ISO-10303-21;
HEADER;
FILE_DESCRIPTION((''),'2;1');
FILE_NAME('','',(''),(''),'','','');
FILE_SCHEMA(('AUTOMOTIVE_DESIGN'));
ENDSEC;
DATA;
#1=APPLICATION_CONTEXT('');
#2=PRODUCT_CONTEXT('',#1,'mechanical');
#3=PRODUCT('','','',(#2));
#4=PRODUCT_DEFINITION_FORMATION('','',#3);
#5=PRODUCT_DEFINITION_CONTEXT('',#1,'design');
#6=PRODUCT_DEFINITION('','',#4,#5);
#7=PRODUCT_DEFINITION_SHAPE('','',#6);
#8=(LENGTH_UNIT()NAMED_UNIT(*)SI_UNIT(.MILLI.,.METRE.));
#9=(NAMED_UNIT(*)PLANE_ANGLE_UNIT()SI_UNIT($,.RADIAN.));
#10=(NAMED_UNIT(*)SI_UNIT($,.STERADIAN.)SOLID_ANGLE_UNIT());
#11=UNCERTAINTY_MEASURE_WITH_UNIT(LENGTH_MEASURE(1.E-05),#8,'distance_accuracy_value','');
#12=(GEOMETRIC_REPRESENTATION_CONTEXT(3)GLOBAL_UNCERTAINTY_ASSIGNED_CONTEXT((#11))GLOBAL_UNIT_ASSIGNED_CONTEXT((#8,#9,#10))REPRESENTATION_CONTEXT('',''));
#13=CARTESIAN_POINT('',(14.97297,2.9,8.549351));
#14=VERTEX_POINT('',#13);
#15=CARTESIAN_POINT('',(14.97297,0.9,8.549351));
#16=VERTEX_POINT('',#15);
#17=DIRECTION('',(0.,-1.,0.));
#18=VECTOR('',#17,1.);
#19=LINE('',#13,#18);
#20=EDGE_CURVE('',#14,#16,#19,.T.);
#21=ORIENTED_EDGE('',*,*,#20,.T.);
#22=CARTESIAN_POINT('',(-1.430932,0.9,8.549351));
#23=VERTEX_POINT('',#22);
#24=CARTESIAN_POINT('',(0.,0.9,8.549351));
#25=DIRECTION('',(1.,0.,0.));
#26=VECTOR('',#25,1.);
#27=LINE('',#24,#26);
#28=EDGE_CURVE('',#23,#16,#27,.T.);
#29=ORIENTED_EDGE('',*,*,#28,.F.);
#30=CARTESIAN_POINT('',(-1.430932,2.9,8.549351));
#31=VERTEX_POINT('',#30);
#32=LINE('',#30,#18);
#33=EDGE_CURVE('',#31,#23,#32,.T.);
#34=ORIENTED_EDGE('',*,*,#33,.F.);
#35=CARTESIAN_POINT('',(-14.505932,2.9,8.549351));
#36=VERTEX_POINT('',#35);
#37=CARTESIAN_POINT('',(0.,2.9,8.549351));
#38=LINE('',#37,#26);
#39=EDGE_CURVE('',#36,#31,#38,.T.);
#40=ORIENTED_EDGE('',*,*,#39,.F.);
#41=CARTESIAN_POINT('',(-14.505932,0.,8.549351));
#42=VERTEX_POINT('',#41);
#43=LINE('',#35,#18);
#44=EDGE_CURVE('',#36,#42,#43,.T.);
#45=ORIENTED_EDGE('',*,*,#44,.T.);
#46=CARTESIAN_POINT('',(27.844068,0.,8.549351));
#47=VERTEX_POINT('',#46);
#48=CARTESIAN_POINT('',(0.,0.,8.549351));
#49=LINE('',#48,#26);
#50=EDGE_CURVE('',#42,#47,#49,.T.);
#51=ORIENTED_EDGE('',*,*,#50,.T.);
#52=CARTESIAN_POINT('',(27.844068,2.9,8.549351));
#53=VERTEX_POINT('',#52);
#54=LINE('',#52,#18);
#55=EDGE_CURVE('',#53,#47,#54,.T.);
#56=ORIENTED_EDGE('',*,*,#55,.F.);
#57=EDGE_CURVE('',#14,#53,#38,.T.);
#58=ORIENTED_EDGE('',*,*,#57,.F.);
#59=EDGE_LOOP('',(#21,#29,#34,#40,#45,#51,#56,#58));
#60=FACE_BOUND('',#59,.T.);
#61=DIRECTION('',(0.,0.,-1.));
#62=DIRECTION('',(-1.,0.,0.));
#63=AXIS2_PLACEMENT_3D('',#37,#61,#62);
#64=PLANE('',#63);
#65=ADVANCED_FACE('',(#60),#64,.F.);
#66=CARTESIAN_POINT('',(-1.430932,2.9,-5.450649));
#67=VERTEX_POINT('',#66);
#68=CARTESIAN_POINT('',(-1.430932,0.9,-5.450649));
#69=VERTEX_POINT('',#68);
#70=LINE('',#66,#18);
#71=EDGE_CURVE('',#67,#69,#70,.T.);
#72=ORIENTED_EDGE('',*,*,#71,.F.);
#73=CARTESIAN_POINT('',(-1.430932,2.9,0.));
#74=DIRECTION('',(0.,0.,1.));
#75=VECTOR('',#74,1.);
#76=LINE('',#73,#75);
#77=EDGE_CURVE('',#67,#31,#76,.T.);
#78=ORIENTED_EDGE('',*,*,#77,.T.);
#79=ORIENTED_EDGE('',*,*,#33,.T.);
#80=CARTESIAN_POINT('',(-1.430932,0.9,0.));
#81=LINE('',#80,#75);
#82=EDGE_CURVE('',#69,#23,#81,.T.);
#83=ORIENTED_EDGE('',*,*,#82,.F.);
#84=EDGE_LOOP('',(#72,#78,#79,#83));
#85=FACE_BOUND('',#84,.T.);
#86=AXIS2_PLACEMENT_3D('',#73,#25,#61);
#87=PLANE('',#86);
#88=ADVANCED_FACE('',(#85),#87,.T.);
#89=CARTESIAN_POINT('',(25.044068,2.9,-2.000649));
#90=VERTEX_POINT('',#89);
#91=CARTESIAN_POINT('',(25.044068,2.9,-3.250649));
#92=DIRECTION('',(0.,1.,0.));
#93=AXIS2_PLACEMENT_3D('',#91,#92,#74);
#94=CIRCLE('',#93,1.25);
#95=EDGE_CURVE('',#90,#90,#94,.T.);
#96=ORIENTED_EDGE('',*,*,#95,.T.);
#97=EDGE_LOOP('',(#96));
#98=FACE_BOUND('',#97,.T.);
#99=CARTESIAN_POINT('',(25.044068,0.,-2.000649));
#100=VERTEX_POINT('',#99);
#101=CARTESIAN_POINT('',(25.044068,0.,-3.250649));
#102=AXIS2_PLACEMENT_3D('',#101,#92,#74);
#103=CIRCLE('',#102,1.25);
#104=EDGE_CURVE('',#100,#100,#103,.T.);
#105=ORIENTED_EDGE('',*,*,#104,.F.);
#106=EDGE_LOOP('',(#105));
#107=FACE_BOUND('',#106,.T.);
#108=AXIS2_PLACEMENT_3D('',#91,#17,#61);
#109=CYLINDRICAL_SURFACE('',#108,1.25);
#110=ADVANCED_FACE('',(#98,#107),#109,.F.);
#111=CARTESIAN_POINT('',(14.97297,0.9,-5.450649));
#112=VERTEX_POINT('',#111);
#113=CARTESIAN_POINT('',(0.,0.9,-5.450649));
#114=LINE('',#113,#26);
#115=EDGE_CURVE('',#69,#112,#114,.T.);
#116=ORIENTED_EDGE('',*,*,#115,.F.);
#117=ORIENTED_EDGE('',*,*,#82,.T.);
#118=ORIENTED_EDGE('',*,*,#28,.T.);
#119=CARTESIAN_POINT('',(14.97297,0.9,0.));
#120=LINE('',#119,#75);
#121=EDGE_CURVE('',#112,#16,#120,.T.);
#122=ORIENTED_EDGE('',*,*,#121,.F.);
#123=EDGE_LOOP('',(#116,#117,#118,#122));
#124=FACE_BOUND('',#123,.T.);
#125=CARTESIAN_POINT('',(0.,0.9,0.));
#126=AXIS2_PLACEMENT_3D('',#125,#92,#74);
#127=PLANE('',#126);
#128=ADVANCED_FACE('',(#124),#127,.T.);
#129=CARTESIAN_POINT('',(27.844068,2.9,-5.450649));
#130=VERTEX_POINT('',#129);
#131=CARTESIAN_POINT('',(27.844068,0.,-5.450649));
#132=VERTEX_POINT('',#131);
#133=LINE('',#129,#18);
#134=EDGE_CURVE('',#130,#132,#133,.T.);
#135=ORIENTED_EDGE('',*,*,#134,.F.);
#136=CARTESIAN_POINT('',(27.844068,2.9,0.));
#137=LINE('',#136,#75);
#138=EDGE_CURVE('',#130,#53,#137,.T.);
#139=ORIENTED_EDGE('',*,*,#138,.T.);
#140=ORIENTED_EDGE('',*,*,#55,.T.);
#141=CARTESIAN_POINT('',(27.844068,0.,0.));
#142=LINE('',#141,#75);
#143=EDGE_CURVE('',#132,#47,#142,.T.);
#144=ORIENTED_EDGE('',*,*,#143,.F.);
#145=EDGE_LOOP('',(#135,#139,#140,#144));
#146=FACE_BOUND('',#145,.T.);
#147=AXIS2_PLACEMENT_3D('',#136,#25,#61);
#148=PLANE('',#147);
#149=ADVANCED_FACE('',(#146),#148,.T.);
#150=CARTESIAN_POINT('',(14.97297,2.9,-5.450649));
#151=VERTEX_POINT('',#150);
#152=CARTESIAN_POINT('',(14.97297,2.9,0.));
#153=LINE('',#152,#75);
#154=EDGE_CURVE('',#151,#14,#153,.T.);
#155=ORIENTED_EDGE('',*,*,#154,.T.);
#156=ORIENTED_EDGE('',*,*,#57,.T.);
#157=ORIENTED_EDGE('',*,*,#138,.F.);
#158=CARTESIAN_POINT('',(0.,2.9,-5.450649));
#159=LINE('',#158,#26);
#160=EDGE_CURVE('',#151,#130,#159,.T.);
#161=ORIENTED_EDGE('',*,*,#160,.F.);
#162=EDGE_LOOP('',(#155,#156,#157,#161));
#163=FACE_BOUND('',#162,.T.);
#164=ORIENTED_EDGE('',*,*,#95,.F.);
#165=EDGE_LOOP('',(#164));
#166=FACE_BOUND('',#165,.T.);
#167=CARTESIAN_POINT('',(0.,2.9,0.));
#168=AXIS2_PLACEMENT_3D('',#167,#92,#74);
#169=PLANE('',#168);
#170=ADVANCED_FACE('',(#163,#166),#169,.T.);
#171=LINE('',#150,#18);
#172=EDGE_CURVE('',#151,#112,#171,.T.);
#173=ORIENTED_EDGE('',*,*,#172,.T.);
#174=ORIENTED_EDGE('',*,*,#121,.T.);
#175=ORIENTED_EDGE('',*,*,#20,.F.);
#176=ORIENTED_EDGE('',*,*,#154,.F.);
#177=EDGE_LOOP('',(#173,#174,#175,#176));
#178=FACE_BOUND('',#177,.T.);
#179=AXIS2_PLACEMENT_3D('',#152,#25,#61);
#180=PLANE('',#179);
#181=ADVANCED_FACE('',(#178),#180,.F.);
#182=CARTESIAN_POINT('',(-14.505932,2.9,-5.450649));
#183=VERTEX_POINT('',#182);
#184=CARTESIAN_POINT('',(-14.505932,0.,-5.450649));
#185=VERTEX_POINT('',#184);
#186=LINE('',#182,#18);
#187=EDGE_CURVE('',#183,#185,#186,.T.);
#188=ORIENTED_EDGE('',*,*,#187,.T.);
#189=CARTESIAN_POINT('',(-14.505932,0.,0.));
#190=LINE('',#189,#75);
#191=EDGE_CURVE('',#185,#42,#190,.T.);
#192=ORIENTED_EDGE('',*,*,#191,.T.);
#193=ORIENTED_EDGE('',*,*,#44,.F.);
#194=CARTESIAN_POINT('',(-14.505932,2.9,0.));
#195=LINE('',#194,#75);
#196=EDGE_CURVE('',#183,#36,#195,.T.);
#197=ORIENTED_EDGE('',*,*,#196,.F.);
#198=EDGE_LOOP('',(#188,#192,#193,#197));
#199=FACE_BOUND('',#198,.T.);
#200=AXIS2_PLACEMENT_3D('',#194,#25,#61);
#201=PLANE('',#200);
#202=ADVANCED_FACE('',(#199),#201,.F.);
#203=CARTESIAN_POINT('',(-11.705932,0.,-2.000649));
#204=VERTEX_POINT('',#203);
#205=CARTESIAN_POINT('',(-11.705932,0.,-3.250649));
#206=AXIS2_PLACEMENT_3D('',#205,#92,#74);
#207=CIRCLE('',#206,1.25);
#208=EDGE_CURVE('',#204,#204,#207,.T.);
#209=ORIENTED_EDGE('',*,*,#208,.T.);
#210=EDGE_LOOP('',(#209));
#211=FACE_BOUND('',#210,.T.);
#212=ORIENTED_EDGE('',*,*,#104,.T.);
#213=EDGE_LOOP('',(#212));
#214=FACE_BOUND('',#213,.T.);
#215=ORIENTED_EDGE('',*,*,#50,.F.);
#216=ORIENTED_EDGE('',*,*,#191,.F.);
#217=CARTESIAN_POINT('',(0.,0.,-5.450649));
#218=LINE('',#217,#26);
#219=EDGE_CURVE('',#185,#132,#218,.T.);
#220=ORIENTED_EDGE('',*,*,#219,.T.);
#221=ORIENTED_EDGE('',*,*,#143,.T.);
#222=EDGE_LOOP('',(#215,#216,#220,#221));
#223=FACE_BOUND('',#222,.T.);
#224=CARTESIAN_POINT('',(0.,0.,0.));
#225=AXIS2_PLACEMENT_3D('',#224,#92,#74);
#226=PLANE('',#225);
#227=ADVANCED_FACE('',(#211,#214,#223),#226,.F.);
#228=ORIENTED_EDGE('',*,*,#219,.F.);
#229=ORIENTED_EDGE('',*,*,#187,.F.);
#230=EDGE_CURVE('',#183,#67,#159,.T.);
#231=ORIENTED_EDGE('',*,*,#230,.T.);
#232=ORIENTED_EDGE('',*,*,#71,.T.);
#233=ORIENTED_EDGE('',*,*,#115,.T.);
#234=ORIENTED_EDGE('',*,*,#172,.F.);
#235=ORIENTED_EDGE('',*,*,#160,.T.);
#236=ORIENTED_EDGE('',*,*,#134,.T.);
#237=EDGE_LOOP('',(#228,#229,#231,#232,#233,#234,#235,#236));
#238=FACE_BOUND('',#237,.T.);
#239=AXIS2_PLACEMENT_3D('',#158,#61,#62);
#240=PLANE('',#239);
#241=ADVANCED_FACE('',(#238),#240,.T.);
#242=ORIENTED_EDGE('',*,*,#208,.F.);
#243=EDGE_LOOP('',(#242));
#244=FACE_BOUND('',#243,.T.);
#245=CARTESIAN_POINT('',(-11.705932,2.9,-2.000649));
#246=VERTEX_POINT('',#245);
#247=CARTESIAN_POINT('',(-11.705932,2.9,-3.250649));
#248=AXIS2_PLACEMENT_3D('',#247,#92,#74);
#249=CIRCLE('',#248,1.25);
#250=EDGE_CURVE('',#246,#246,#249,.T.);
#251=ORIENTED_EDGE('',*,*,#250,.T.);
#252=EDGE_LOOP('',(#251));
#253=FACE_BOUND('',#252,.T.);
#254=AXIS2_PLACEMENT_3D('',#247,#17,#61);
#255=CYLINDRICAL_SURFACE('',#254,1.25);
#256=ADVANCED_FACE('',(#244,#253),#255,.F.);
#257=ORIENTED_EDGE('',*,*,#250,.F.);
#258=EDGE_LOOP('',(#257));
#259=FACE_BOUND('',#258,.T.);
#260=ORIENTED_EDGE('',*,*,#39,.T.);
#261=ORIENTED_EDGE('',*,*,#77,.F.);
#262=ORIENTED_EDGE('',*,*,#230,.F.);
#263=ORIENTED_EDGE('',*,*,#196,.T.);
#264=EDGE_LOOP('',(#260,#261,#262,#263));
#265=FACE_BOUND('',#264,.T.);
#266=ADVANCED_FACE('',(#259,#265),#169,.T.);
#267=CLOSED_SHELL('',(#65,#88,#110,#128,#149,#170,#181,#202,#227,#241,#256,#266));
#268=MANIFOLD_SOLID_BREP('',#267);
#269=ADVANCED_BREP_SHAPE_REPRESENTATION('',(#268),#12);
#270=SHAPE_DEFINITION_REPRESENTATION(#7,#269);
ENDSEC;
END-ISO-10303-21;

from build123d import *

# Parameters (mm, degrees)
SKETCH_1_W        = 13.075
SKETCH_1_H        = 14
SKETCH_1_R        = 1.25
EXTRUDE_2_DEPTH   = 2.9
SKETCH_1_W_2      = 12.871097853
EXTRUDE_2_2_DEPTH = 2.9
EXTRUDE_3_DEPTH   = 0.9


with BuildPart() as part:
    # 草图1 → 凸台-拉伸2 (new body)
    with BuildSketch(Plane(origin=(0, 0, 0), x_dir=(1, 0, 0), z_dir=(0, 1, 0))):
        with Locations((-7.968432469, -1.549350884)):
            Rectangle(SKETCH_1_W, SKETCH_1_H)
        with Locations((-11.705932469, 3.250649116)):
            Circle(SKETCH_1_R, mode=Mode.SUBTRACT)
    extrude(amount=EXTRUDE_2_DEPTH)



with BuildPart() as body_2:
    # 草图1 → Extrude 2 2 (new body)
    with BuildSketch(Plane(origin=(0, 0, 0), x_dir=(1, 0, 0), z_dir=(0, 1, 0))):
        with Locations((21.408518604, -1.549350884)):
            Rectangle(SKETCH_1_W_2, SKETCH_1_H)
        with Locations((25.044067531, 3.250649116)):
            Circle(SKETCH_1_R, mode=Mode.SUBTRACT)
    extrude(amount=EXTRUDE_2_2_DEPTH)


with BuildPart() as part_1:
    add(part.part)

    add(body_2.part)  # 凸台-拉伸3 merges body 2
    # 草图1<4> → 凸台-拉伸3 (add)
    with BuildSketch(Plane(origin=(0, 0, 0), x_dir=(1, 0, 0), z_dir=(0, 1, 0))):
        Polygon((14.769067531, 5.450649116), (6.669067531, 5.450649116), (-1.430932469, 5.450649116), (-1.430932469, -8.549350884), (14.972969678, -8.549350884), (14.972969678, 5.450649116), align=None)
    extrude(amount=EXTRUDE_3_DEPTH)


solid = part_1.part
